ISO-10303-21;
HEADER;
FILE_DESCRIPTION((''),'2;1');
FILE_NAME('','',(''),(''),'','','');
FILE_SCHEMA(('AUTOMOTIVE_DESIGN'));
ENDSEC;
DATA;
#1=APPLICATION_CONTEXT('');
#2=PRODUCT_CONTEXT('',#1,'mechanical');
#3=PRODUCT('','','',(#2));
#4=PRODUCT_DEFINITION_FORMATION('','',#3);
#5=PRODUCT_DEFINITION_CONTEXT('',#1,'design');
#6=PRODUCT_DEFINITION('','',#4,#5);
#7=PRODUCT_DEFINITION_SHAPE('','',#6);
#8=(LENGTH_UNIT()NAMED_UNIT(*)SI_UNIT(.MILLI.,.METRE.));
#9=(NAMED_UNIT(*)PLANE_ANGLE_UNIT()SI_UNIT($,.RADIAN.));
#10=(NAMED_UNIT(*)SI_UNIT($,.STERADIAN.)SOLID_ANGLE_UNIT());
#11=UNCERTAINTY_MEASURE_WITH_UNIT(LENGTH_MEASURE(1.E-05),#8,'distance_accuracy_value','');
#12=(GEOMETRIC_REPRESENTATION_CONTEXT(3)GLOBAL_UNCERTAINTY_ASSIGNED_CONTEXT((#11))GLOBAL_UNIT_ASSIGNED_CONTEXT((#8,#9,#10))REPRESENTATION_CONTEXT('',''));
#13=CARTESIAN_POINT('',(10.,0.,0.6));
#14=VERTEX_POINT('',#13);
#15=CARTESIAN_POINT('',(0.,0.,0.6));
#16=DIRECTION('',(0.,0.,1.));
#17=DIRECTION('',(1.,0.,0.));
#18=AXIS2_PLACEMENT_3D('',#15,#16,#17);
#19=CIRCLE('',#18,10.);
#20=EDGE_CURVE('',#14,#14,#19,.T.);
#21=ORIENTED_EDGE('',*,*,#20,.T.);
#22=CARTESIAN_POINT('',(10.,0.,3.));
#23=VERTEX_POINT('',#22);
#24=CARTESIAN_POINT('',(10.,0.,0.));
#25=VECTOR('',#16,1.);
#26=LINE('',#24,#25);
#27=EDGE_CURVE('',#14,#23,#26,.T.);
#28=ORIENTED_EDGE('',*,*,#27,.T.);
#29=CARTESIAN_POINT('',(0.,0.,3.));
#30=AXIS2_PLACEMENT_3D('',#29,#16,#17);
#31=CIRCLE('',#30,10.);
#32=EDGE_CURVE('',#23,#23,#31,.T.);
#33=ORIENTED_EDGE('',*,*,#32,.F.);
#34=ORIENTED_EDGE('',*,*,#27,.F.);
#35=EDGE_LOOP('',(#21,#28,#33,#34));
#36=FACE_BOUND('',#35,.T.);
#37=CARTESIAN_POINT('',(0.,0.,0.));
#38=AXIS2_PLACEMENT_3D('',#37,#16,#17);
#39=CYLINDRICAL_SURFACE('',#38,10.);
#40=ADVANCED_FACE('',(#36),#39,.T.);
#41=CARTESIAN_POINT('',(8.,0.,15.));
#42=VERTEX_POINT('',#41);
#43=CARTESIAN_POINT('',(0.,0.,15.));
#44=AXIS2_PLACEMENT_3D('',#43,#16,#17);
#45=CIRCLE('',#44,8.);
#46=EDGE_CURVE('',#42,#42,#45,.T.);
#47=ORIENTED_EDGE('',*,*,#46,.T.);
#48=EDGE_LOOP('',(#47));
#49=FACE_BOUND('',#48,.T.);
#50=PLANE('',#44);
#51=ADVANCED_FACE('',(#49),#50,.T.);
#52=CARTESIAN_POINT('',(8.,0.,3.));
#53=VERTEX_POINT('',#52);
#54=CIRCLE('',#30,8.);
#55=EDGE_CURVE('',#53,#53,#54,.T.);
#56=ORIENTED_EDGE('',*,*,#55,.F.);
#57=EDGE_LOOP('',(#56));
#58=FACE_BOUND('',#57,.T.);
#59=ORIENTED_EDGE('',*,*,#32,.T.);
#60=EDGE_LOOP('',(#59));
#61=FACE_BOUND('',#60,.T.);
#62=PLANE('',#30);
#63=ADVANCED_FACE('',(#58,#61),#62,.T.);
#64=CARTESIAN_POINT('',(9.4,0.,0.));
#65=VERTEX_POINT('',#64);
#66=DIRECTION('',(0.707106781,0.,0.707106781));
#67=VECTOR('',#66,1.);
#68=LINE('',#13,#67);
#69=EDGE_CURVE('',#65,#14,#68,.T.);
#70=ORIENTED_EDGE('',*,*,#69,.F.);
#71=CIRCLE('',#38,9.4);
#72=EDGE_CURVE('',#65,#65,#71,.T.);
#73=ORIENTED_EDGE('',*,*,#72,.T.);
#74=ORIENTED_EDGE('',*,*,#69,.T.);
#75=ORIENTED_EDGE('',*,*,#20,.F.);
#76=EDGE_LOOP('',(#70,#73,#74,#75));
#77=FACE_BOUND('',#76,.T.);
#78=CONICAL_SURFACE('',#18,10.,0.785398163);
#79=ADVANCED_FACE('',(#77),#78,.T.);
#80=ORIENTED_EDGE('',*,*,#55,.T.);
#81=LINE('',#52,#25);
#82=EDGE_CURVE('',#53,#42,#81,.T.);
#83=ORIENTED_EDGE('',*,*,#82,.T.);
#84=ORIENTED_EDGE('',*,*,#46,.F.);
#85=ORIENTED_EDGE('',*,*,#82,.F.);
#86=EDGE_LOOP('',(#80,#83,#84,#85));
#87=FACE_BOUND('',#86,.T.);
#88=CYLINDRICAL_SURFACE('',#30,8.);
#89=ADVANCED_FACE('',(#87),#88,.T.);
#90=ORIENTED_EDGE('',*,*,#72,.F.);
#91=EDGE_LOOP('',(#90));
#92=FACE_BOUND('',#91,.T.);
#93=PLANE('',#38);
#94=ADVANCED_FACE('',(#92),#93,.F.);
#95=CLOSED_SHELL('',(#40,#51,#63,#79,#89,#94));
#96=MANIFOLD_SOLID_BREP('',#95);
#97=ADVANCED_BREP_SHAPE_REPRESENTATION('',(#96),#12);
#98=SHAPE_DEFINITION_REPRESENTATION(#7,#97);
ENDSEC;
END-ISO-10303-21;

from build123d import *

# Parameters (mm, degrees)
F2_SIZE2 = 0.6
F2_SIZE  = 0.6


with BuildPart() as f1:
    # F0 (on Front) → F1 (revolve)
    with BuildSketch(Plane.XZ):
        Polygon((0, 15), (0, 0), (10, 0), (10, 3), (8, 3), (8, 15), align=None)
    revolve(axis=Axis((0, 0, 7.5), (0, 0, 1)))

    # F2
    f2_edges = [f1.edges().sort_by_distance(p)[0] for p in [
        (-10, 0, 0),
    ]]
    chamfer(f2_edges, length=F2_SIZE, length2=F2_SIZE2)


solid = f1.part
